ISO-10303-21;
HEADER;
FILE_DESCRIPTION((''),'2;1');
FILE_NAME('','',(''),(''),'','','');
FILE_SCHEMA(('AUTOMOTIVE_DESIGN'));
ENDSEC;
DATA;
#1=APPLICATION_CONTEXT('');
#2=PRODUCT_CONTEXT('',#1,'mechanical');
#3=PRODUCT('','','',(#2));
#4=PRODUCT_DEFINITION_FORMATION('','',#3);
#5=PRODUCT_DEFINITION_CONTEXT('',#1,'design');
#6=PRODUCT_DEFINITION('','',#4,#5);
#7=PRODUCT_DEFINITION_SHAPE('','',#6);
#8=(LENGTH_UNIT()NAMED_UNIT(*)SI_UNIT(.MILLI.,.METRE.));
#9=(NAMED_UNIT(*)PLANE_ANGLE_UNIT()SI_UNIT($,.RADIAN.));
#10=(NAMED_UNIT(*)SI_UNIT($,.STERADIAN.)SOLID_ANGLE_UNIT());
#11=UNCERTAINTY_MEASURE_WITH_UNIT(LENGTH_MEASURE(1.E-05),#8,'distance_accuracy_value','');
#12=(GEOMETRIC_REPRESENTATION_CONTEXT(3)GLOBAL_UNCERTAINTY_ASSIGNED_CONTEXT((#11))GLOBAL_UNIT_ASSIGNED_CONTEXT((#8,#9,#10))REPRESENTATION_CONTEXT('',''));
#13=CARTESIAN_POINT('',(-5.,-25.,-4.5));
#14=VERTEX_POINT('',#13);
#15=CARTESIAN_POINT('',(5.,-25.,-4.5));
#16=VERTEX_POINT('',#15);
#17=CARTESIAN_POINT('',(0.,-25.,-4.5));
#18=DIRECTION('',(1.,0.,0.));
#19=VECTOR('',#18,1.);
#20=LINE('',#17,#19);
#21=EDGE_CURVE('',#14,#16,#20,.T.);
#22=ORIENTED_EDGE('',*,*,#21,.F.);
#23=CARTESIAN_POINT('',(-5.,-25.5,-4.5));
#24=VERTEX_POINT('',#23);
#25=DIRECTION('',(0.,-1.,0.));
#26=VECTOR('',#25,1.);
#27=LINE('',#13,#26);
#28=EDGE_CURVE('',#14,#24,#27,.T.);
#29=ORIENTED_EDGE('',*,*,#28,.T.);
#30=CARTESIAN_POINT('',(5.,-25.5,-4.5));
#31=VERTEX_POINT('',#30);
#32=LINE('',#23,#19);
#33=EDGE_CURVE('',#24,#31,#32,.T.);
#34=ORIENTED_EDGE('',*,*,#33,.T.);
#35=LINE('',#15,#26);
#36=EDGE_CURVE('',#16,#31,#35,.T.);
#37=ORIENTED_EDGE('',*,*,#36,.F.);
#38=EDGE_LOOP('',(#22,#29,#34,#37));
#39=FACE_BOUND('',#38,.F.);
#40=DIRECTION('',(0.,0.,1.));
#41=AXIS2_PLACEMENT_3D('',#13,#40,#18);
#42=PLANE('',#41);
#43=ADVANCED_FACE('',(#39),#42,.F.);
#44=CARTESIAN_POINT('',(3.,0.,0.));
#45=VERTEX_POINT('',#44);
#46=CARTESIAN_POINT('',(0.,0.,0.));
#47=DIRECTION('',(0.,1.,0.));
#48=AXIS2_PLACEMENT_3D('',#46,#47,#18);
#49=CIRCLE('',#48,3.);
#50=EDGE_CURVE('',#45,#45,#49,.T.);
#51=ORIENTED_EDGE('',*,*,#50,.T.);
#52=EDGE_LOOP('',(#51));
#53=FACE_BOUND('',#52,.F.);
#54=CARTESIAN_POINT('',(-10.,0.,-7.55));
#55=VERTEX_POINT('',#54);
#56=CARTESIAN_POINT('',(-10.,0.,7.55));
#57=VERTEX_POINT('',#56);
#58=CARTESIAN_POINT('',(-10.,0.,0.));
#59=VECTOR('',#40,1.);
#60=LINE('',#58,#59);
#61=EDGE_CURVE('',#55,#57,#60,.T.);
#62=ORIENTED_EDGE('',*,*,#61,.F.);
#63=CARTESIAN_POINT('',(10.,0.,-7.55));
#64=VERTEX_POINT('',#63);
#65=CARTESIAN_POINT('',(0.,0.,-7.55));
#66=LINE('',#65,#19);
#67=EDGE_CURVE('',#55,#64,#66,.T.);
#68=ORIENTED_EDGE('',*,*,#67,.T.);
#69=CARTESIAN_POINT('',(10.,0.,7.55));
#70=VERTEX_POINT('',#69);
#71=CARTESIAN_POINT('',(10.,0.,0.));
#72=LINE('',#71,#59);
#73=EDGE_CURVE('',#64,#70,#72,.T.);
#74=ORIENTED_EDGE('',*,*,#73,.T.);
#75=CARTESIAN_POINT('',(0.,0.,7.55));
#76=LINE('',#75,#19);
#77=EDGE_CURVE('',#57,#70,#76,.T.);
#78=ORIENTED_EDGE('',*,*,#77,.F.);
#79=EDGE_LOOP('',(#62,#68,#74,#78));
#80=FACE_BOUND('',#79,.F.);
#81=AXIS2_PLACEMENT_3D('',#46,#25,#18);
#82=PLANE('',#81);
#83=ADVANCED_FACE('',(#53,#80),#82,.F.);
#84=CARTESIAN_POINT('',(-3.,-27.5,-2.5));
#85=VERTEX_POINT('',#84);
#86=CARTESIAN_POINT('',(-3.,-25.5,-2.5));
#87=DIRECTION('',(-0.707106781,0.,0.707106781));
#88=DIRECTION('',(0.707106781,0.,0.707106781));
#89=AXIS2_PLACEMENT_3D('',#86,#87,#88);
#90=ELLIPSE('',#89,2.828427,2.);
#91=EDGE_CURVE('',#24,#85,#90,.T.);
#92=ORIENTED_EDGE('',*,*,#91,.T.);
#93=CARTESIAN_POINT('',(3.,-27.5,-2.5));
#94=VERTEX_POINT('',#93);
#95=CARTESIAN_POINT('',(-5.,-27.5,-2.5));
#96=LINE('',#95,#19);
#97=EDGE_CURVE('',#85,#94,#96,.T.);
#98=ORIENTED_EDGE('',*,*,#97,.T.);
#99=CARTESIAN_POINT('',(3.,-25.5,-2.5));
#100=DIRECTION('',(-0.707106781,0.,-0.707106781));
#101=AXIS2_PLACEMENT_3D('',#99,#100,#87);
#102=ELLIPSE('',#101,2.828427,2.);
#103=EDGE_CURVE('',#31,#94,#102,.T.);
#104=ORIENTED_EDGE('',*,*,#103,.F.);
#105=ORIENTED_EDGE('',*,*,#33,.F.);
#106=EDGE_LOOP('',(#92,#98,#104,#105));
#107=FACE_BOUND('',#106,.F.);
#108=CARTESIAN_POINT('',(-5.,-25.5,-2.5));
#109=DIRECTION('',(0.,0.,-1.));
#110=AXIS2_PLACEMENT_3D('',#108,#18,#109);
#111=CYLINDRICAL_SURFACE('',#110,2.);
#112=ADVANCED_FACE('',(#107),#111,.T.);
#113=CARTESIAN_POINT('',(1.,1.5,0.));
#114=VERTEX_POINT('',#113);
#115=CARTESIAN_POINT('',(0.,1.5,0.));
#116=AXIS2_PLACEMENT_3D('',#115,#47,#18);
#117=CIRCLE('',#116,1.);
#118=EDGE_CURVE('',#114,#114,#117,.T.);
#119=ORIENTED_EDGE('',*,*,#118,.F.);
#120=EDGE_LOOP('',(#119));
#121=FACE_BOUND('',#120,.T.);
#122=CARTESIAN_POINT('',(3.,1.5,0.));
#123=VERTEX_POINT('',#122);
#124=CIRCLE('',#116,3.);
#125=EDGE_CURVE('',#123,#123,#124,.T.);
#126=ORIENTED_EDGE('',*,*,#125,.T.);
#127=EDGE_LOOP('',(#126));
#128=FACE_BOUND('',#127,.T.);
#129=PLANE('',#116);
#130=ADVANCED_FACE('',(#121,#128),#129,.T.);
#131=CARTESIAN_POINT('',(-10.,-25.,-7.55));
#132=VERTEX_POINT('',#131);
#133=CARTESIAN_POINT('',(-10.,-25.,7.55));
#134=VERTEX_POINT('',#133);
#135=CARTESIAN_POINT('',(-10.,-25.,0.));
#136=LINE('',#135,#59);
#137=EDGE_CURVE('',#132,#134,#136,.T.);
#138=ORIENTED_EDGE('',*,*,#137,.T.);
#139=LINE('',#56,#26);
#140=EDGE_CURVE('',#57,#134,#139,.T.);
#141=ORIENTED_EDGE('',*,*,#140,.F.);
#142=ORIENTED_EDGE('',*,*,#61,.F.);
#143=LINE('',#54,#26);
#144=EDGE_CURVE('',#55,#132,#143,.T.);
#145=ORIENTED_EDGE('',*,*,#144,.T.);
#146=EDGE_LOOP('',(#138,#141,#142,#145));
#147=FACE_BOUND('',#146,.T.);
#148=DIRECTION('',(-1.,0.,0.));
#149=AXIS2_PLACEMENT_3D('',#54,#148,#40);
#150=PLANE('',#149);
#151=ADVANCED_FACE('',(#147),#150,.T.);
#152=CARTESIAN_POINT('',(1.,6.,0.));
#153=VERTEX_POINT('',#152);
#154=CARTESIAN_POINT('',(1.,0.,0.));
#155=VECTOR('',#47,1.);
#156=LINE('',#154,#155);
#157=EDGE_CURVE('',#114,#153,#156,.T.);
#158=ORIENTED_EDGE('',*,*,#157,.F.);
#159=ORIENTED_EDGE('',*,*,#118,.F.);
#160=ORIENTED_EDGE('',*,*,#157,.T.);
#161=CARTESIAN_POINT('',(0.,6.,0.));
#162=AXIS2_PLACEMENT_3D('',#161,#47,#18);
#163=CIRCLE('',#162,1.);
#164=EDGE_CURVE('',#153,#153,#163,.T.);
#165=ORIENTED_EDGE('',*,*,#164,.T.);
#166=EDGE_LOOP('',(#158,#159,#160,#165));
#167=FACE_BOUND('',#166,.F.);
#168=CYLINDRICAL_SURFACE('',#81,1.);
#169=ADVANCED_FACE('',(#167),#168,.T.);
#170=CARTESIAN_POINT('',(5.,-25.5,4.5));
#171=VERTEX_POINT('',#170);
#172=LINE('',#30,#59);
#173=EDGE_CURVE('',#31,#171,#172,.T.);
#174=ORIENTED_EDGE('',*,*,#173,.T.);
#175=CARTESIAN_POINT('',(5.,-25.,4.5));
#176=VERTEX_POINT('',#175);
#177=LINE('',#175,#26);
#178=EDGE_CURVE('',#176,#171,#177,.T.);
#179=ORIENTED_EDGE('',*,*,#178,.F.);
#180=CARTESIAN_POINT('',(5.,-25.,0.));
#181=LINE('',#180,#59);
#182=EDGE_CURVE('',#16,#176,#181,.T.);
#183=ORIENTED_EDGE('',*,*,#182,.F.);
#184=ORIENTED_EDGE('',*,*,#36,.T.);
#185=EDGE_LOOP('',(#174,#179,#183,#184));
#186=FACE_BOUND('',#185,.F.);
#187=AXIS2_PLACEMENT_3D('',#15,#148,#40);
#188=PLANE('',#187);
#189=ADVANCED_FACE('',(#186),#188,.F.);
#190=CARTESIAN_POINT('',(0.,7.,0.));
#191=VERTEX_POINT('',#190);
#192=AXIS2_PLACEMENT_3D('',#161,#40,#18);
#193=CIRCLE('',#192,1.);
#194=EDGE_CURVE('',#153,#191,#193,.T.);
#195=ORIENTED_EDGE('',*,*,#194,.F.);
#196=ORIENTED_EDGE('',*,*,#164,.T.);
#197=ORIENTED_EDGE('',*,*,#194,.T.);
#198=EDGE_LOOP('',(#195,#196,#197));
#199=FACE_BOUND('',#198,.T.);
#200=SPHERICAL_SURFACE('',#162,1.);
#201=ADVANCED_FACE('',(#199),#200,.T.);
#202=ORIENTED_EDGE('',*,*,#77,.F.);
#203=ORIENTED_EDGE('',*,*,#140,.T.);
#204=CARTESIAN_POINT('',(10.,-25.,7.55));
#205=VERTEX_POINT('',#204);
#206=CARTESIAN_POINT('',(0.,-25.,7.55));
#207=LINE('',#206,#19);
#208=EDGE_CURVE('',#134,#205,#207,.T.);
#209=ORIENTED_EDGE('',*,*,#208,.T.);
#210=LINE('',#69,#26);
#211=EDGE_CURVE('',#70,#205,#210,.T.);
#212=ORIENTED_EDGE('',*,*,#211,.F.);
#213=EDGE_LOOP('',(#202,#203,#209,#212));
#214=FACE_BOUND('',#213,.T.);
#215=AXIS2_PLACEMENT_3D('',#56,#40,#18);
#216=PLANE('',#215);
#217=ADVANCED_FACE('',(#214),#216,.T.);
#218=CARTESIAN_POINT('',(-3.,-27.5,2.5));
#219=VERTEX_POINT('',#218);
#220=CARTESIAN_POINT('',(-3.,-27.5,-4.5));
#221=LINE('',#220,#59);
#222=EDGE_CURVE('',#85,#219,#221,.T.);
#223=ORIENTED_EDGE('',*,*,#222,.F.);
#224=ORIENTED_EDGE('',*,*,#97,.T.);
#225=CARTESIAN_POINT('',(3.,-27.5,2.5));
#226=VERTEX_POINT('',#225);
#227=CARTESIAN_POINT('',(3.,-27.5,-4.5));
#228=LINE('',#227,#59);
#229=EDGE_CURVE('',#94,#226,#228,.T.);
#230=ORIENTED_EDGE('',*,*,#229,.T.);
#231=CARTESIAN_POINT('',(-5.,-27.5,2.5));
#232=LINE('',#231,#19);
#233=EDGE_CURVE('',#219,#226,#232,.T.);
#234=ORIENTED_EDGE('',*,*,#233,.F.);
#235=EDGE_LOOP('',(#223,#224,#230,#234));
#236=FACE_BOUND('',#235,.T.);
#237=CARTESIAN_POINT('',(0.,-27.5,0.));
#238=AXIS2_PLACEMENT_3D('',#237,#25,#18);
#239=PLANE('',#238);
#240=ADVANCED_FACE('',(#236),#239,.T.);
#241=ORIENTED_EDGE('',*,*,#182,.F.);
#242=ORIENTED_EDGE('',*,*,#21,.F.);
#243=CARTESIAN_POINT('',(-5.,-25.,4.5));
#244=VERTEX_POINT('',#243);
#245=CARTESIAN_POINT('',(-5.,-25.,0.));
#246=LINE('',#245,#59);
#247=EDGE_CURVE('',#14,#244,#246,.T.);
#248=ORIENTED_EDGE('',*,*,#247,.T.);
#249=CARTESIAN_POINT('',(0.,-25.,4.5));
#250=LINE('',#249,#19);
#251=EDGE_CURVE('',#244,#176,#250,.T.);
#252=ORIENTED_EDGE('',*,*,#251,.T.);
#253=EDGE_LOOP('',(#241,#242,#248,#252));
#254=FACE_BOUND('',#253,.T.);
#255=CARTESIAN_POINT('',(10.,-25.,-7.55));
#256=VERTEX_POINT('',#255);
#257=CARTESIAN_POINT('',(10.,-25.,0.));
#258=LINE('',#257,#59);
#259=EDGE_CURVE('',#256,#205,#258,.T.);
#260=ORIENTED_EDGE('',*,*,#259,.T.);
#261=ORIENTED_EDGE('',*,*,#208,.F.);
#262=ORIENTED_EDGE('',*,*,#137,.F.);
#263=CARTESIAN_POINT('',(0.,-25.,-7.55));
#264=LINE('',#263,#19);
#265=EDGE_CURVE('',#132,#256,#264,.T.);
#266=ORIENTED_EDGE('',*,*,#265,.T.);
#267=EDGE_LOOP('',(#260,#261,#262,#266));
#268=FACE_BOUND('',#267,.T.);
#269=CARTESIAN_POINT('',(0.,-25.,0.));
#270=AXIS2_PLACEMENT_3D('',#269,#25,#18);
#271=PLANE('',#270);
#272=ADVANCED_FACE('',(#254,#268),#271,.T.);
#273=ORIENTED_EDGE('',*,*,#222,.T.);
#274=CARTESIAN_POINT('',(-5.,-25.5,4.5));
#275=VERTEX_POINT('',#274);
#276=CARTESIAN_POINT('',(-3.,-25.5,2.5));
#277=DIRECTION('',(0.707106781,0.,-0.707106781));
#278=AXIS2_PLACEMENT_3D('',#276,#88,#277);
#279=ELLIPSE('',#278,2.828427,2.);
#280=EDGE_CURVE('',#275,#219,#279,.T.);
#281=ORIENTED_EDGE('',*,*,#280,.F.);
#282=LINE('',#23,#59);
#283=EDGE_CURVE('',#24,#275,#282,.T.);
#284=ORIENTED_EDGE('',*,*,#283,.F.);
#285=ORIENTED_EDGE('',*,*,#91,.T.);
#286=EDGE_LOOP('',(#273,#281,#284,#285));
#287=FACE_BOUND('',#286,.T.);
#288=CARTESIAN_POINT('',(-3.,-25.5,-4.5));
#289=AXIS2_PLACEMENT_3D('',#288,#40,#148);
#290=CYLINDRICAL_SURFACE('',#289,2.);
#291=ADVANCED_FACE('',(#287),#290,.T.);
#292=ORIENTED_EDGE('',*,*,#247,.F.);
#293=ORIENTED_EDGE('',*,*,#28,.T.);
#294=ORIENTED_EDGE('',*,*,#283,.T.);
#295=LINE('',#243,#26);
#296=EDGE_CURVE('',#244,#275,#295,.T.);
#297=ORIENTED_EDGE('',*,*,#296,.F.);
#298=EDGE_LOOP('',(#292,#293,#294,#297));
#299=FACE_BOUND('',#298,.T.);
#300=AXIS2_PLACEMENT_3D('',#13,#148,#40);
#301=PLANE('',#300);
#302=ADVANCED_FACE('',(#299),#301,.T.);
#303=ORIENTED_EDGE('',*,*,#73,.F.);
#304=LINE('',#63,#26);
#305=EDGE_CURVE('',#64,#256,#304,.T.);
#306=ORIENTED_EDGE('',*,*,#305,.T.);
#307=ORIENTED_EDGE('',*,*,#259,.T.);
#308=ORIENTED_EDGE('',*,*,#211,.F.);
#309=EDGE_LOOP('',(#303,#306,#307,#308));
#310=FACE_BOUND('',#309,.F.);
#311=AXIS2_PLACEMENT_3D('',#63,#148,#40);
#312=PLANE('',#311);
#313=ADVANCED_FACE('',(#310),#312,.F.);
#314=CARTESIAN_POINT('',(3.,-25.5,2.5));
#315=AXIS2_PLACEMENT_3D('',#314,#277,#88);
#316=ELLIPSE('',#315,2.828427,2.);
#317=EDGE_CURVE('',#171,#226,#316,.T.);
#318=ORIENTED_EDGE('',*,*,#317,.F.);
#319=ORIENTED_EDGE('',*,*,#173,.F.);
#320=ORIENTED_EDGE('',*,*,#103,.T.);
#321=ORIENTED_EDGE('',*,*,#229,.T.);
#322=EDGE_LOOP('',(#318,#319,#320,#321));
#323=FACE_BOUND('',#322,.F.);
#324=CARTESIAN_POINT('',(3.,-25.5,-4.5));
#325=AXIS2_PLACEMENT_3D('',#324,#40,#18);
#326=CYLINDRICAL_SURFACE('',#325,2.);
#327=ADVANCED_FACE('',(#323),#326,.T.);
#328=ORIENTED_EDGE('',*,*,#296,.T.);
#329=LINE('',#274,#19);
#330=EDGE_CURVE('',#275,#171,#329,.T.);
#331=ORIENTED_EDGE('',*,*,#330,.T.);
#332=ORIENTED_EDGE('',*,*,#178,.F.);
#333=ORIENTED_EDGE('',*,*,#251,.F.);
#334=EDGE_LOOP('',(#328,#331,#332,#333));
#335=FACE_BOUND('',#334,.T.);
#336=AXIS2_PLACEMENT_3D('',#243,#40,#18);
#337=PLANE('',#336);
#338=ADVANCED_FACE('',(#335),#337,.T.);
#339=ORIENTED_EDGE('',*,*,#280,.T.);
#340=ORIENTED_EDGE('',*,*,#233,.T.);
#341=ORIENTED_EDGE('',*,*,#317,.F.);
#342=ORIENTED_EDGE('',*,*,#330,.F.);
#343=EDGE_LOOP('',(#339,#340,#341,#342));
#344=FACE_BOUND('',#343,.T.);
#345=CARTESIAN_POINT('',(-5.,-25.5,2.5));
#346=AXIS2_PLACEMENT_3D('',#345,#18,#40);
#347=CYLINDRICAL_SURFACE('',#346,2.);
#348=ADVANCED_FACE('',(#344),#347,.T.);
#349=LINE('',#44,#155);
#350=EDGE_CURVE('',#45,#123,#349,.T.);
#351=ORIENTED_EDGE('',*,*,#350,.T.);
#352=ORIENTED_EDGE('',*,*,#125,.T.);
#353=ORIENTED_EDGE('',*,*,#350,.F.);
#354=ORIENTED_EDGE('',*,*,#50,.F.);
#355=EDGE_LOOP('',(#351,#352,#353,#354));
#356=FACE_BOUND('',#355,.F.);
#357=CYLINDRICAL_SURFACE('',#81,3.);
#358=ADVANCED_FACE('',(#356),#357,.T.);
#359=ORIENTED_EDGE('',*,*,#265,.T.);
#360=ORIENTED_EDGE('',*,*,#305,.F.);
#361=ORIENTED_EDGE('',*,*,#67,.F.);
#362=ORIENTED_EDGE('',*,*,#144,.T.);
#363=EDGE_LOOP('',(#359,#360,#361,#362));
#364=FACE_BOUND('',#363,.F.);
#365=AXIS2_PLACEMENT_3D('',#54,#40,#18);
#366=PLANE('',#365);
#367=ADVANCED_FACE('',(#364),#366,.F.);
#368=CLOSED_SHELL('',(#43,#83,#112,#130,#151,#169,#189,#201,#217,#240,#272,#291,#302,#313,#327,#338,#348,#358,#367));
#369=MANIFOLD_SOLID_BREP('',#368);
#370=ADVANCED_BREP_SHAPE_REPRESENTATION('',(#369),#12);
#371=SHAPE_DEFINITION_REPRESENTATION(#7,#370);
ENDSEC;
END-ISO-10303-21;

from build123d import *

# Parameters (mm, degrees)
F0_W      = 20
F0_H      = 15.1
F1_DEPTH  = 25
F3_R      = 3
F3_R_2    = 1
F4_DEPTH  = 1.5
F4_FACE_R = 1
F5_DEPTH  = 7
F6_R      = 1
F8_W      = 10
F8_H      = 9
F9_DEPTH  = 2.5
F10_R     = 2


with BuildPart() as f1:
    # F0 (on Front) → F1 (new body)
    with BuildSketch(Plane.XZ):
        Rectangle(F0_W, F0_H)
    extrude(amount=F1_DEPTH)

    # F3 (on offset) → F4 (join)
    with BuildSketch(Plane(origin=(0, 0, 0), x_dir=(1, 0, 0), z_dir=(0, 1, 0))):
        Circle(F3_R)
        Circle(F3_R_2, mode=Mode.SUBTRACT)
    extrude(amount=F4_DEPTH)

    # F4_face (on face) → F5 (join)
    with BuildSketch(Plane(origin=(0, 0, 0), x_dir=(1, 0, 0), z_dir=(0, 1, 0))):
        Circle(F4_FACE_R)
    extrude(amount=F5_DEPTH)

    # F6
    f6_edges = [f1.edges().sort_by_distance(p)[0] for p in [
        (-1, 7, 0),
    ]]
    fillet(f6_edges, radius=F6_R)

    # F8 (on offset) → F9 (join)
    with BuildSketch(Plane.XZ.offset(25)):
        Rectangle(F8_W, F8_H)
    extrude(amount=F9_DEPTH)

    # F10
    f10_edges = [f1.edges().sort_by_distance(p)[0] for p in [
        (0, -27.5, 4.5),
        (5, -27.5, 0),
        (-5, -27.5, 0),
        (0, -27.5, -4.5),
    ]]
    fillet(f10_edges, radius=F10_R)


solid = f1.part
